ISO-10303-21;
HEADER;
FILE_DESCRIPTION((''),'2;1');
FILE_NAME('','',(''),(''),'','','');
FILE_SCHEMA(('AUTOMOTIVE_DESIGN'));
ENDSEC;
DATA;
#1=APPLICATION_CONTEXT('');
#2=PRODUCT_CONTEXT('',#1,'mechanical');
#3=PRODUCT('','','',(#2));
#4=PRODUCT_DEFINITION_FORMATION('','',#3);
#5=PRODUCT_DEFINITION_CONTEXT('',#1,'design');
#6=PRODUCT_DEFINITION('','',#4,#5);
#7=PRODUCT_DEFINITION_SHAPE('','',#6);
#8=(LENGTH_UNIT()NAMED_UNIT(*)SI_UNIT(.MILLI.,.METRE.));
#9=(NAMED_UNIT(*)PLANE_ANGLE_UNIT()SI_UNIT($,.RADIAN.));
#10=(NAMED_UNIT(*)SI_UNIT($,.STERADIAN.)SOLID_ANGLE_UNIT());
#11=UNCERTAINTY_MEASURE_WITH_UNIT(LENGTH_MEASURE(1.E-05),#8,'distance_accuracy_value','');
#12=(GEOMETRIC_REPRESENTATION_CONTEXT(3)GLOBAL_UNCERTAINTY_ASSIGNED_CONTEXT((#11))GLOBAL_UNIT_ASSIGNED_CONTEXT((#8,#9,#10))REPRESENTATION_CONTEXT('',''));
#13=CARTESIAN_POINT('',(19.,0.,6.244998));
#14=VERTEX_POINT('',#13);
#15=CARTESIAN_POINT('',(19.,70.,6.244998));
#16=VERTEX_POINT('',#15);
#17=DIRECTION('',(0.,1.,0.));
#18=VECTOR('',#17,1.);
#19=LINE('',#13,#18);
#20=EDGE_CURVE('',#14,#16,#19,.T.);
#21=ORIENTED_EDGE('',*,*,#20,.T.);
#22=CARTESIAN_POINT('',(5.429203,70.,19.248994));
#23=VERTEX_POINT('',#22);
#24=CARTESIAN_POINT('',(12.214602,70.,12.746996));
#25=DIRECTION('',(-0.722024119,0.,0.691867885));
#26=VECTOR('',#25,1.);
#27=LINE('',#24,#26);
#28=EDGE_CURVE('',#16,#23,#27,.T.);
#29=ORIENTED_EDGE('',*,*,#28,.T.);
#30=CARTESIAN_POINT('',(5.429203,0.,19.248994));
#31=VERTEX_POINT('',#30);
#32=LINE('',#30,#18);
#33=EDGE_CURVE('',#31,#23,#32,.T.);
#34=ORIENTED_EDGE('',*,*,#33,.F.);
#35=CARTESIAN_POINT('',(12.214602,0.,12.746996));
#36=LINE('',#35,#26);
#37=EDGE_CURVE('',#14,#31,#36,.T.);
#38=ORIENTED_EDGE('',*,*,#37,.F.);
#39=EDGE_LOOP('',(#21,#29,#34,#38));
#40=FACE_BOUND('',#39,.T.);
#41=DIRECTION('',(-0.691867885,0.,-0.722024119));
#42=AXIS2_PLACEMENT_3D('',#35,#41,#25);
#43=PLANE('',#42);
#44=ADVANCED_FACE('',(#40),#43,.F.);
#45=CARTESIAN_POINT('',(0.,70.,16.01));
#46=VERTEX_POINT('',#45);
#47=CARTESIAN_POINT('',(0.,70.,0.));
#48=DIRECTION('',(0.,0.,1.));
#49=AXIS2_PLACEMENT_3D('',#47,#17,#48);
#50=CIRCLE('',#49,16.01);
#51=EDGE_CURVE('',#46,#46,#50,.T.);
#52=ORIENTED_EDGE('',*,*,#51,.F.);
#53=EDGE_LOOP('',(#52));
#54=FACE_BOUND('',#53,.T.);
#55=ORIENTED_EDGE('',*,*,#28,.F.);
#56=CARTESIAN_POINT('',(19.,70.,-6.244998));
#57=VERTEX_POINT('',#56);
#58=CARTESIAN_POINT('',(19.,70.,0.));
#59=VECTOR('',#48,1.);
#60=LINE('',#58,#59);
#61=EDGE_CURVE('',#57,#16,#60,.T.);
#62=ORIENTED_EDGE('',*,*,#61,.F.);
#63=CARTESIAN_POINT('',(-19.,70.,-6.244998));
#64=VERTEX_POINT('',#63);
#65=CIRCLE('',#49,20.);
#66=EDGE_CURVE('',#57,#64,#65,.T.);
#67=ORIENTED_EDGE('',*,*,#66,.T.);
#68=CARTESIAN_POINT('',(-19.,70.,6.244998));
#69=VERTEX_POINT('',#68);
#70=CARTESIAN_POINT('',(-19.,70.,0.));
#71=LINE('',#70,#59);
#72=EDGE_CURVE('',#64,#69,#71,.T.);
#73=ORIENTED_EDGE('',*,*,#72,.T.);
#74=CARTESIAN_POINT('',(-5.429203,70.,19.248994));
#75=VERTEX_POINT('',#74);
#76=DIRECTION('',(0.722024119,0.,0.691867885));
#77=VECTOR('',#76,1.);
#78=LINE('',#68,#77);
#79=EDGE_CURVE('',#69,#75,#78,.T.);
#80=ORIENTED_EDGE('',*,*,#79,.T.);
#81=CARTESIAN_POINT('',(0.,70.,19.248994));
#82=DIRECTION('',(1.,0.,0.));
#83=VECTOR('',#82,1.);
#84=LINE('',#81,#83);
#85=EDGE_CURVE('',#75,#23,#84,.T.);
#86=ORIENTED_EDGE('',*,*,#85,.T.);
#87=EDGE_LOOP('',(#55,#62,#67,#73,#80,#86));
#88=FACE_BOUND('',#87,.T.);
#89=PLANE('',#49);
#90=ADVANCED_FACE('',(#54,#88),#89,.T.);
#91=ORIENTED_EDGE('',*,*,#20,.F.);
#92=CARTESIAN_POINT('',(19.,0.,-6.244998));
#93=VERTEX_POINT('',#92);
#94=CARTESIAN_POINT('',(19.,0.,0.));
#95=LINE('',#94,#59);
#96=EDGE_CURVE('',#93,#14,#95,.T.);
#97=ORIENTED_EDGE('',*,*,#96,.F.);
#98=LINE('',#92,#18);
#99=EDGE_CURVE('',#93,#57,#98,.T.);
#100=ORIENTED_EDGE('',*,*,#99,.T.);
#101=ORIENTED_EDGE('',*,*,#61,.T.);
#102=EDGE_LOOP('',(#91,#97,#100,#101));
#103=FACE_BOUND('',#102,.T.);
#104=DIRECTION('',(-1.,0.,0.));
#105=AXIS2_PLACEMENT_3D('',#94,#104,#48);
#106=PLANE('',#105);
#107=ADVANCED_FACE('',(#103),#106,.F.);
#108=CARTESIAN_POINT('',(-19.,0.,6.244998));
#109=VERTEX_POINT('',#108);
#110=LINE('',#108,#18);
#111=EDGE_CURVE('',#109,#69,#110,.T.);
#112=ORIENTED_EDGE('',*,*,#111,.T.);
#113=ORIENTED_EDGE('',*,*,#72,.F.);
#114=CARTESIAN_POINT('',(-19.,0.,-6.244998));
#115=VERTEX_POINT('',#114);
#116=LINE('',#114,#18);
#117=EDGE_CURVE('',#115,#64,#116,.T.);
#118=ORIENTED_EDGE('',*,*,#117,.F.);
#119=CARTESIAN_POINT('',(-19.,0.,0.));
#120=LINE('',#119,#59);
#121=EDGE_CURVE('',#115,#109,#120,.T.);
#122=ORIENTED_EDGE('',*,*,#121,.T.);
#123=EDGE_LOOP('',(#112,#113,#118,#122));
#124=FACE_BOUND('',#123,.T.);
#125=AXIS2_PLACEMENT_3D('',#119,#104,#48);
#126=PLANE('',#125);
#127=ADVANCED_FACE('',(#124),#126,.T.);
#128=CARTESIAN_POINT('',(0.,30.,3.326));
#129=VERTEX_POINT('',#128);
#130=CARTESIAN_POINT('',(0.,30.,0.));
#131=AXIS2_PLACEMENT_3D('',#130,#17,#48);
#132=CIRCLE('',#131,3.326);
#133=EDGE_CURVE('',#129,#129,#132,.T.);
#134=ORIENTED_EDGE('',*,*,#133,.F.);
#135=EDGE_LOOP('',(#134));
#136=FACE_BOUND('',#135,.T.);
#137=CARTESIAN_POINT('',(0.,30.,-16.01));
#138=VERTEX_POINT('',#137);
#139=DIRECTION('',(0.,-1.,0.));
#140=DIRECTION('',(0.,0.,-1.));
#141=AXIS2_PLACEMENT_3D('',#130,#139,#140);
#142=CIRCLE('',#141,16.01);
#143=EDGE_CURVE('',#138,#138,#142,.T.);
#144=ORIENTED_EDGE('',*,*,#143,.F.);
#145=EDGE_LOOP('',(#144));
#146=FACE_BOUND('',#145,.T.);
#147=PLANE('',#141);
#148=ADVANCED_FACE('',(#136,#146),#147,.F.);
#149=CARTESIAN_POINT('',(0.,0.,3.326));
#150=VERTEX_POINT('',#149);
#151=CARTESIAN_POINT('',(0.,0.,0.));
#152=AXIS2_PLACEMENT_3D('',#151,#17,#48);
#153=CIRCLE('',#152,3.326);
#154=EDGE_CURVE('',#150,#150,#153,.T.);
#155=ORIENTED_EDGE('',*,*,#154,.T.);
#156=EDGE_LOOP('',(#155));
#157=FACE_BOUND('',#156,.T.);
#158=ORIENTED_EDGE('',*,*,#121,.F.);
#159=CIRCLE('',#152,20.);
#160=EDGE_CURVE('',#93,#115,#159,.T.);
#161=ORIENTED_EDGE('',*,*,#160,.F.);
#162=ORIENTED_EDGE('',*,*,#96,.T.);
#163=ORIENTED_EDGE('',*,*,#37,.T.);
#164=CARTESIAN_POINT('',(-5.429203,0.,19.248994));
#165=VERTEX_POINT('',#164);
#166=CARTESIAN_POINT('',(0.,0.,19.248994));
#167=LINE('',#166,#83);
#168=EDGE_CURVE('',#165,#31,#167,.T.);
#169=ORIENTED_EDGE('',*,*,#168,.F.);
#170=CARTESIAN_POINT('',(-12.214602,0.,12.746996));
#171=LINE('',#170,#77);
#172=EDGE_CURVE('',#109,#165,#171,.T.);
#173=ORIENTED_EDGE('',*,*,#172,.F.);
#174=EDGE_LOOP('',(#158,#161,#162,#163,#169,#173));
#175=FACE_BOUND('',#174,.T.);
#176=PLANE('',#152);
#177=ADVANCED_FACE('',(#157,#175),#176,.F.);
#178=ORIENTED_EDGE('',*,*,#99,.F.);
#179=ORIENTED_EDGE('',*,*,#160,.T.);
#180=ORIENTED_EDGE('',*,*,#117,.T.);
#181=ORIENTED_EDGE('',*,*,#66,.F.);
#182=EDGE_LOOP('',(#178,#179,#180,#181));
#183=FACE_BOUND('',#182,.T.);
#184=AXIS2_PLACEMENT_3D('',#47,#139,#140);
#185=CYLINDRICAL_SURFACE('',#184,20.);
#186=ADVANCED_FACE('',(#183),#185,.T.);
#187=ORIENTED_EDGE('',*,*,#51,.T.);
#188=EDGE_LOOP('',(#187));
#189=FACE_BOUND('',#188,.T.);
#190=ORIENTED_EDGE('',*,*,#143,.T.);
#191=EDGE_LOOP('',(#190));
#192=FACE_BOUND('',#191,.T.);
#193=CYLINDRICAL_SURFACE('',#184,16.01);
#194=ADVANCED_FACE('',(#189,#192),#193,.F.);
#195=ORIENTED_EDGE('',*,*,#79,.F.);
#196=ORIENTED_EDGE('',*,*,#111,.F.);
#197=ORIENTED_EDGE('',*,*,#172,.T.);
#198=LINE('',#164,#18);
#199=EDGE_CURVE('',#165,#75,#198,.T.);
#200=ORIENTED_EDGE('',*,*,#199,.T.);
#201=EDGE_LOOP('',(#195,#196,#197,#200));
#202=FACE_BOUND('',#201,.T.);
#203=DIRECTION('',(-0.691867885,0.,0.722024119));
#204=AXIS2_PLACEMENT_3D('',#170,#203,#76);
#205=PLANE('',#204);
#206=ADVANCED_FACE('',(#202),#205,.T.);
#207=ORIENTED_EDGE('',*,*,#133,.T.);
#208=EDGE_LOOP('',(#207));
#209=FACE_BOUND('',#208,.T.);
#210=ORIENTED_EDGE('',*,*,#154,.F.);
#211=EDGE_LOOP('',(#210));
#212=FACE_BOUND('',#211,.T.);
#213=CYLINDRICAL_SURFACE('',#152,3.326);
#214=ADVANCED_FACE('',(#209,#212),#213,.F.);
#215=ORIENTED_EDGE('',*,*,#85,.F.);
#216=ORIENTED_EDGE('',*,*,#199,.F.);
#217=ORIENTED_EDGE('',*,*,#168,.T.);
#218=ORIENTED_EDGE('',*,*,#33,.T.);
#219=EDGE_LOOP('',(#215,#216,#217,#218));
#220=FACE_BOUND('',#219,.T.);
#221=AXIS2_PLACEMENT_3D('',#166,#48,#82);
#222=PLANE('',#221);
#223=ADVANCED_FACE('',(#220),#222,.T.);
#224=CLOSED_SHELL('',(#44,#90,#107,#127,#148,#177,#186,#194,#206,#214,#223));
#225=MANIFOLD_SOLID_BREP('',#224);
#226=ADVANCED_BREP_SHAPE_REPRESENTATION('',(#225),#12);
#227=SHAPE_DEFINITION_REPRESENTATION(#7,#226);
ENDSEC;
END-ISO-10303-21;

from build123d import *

# Parameters (mm, degrees)
SKETCH1_R               = 20
SKETCH1_R_2             = 16.01
BOSS_EXTRUDE1_DEPTH     = 70
CUT_EXTRUDE1_DEPTH      = 76.498344353
CUT_EXTRUDE1_DEPTH_BACK = 76.498344353
SKETCH3_R               = 16.01
BOSS_EXTRUDE2_DEPTH     = 30
CUT_EXTRUDE2_DEPTH      = 49.590122453
CUT_EXTRUDE2_DEPTH_BACK = 49.590122453
SKETCH4_R               = 3.326


with BuildPart() as part:
    # Sketch1 → Boss-Extrude1 (new body)
    with BuildSketch(Plane(origin=(0, 0, 0), x_dir=(1, 0, 0), z_dir=(0, 1, 0))):
        with Locations(Location((0, 0, 0), (0, 0, 270))):
            Circle(SKETCH1_R)
        with Locations(Location((0, 0, 0), (0, 0, 270))):
            Circle(SKETCH1_R_2, mode=Mode.SUBTRACT)
    extrude(amount=BOSS_EXTRUDE1_DEPTH)

    # Sketch2 → Cut-Extrude1 (cut, two sides: drawn at the far end of the back side and taken through both)
    with BuildSketch(Plane(origin=(0, 70, 0), x_dir=(1, 0, 0), z_dir=(0, 1, 0)).offset(-CUT_EXTRUDE1_DEPTH_BACK)):
        with BuildLine():
            Line((-19, -6.244997998), (-19, 6.244997998))
            ThreePointArc((-19, 6.244997998), (-20, 0), (-19, -6.244997998))
        make_face()
        with BuildLine():
            Line((-5.4292033, -19.24899352), (-19, -6.244997998))
            ThreePointArc((-19, -6.244997998), (-13.837357709, -14.44048239), (-5.4292033, -19.24899352))
        make_face()
        with BuildLine():
            ThreePointArc((5.4292033, -19.24899352), (13.837357709, -14.44048239), (19, -6.244997998))
            Line((19, -6.244997998), (5.4292033, -19.24899352))
        make_face()
        with BuildLine():
            Line((0, -19.24899352), (-5.4292033, -19.24899352))
            ThreePointArc((-5.4292033, -19.24899352), (-2.740449745, -19.811358742), (0, -20))
            Line((0, -20), (0, -19.24899352))
        make_face()
        with BuildLine():
            Line((5.4292033, -19.24899352), (0, -19.24899352))
            Line((0, -19.24899352), (0, -20))
            ThreePointArc((0, -20), (2.740449745, -19.811358742), (5.4292033, -19.24899352))
        make_face()
        with BuildLine():
            ThreePointArc((20, 0), (19.748417658, 3.16227766), (19, 6.244997998))
            Line((19, 6.244997998), (19, -6.244997998))
            ThreePointArc((19, -6.244997998), (19.748417658, -3.16227766), (20, 0))
        make_face()
    extrude(amount=CUT_EXTRUDE1_DEPTH + CUT_EXTRUDE1_DEPTH_BACK, mode=Mode.SUBTRACT)

    # Sketch3 → Boss-Extrude2 (add)
    with BuildSketch(Plane.XZ):
        with Locations(Location((0, 0, 0), (0, 0, 270))):
            Circle(SKETCH3_R)
    extrude(amount=-BOSS_EXTRUDE2_DEPTH)

    # Sketch4 → Cut-Extrude2 (cut, two sides: drawn at the far end of the back side and taken through both)
    with BuildSketch(Plane(origin=(0, 30, 0), x_dir=(1, 0, 0), z_dir=(0, 1, 0)).offset(-CUT_EXTRUDE2_DEPTH_BACK)):
        with Locations(Location((0, 0, 0), (0, 0, 270))):
            Circle(SKETCH4_R)
    extrude(amount=CUT_EXTRUDE2_DEPTH + CUT_EXTRUDE2_DEPTH_BACK, mode=Mode.SUBTRACT)


solid = part.part
